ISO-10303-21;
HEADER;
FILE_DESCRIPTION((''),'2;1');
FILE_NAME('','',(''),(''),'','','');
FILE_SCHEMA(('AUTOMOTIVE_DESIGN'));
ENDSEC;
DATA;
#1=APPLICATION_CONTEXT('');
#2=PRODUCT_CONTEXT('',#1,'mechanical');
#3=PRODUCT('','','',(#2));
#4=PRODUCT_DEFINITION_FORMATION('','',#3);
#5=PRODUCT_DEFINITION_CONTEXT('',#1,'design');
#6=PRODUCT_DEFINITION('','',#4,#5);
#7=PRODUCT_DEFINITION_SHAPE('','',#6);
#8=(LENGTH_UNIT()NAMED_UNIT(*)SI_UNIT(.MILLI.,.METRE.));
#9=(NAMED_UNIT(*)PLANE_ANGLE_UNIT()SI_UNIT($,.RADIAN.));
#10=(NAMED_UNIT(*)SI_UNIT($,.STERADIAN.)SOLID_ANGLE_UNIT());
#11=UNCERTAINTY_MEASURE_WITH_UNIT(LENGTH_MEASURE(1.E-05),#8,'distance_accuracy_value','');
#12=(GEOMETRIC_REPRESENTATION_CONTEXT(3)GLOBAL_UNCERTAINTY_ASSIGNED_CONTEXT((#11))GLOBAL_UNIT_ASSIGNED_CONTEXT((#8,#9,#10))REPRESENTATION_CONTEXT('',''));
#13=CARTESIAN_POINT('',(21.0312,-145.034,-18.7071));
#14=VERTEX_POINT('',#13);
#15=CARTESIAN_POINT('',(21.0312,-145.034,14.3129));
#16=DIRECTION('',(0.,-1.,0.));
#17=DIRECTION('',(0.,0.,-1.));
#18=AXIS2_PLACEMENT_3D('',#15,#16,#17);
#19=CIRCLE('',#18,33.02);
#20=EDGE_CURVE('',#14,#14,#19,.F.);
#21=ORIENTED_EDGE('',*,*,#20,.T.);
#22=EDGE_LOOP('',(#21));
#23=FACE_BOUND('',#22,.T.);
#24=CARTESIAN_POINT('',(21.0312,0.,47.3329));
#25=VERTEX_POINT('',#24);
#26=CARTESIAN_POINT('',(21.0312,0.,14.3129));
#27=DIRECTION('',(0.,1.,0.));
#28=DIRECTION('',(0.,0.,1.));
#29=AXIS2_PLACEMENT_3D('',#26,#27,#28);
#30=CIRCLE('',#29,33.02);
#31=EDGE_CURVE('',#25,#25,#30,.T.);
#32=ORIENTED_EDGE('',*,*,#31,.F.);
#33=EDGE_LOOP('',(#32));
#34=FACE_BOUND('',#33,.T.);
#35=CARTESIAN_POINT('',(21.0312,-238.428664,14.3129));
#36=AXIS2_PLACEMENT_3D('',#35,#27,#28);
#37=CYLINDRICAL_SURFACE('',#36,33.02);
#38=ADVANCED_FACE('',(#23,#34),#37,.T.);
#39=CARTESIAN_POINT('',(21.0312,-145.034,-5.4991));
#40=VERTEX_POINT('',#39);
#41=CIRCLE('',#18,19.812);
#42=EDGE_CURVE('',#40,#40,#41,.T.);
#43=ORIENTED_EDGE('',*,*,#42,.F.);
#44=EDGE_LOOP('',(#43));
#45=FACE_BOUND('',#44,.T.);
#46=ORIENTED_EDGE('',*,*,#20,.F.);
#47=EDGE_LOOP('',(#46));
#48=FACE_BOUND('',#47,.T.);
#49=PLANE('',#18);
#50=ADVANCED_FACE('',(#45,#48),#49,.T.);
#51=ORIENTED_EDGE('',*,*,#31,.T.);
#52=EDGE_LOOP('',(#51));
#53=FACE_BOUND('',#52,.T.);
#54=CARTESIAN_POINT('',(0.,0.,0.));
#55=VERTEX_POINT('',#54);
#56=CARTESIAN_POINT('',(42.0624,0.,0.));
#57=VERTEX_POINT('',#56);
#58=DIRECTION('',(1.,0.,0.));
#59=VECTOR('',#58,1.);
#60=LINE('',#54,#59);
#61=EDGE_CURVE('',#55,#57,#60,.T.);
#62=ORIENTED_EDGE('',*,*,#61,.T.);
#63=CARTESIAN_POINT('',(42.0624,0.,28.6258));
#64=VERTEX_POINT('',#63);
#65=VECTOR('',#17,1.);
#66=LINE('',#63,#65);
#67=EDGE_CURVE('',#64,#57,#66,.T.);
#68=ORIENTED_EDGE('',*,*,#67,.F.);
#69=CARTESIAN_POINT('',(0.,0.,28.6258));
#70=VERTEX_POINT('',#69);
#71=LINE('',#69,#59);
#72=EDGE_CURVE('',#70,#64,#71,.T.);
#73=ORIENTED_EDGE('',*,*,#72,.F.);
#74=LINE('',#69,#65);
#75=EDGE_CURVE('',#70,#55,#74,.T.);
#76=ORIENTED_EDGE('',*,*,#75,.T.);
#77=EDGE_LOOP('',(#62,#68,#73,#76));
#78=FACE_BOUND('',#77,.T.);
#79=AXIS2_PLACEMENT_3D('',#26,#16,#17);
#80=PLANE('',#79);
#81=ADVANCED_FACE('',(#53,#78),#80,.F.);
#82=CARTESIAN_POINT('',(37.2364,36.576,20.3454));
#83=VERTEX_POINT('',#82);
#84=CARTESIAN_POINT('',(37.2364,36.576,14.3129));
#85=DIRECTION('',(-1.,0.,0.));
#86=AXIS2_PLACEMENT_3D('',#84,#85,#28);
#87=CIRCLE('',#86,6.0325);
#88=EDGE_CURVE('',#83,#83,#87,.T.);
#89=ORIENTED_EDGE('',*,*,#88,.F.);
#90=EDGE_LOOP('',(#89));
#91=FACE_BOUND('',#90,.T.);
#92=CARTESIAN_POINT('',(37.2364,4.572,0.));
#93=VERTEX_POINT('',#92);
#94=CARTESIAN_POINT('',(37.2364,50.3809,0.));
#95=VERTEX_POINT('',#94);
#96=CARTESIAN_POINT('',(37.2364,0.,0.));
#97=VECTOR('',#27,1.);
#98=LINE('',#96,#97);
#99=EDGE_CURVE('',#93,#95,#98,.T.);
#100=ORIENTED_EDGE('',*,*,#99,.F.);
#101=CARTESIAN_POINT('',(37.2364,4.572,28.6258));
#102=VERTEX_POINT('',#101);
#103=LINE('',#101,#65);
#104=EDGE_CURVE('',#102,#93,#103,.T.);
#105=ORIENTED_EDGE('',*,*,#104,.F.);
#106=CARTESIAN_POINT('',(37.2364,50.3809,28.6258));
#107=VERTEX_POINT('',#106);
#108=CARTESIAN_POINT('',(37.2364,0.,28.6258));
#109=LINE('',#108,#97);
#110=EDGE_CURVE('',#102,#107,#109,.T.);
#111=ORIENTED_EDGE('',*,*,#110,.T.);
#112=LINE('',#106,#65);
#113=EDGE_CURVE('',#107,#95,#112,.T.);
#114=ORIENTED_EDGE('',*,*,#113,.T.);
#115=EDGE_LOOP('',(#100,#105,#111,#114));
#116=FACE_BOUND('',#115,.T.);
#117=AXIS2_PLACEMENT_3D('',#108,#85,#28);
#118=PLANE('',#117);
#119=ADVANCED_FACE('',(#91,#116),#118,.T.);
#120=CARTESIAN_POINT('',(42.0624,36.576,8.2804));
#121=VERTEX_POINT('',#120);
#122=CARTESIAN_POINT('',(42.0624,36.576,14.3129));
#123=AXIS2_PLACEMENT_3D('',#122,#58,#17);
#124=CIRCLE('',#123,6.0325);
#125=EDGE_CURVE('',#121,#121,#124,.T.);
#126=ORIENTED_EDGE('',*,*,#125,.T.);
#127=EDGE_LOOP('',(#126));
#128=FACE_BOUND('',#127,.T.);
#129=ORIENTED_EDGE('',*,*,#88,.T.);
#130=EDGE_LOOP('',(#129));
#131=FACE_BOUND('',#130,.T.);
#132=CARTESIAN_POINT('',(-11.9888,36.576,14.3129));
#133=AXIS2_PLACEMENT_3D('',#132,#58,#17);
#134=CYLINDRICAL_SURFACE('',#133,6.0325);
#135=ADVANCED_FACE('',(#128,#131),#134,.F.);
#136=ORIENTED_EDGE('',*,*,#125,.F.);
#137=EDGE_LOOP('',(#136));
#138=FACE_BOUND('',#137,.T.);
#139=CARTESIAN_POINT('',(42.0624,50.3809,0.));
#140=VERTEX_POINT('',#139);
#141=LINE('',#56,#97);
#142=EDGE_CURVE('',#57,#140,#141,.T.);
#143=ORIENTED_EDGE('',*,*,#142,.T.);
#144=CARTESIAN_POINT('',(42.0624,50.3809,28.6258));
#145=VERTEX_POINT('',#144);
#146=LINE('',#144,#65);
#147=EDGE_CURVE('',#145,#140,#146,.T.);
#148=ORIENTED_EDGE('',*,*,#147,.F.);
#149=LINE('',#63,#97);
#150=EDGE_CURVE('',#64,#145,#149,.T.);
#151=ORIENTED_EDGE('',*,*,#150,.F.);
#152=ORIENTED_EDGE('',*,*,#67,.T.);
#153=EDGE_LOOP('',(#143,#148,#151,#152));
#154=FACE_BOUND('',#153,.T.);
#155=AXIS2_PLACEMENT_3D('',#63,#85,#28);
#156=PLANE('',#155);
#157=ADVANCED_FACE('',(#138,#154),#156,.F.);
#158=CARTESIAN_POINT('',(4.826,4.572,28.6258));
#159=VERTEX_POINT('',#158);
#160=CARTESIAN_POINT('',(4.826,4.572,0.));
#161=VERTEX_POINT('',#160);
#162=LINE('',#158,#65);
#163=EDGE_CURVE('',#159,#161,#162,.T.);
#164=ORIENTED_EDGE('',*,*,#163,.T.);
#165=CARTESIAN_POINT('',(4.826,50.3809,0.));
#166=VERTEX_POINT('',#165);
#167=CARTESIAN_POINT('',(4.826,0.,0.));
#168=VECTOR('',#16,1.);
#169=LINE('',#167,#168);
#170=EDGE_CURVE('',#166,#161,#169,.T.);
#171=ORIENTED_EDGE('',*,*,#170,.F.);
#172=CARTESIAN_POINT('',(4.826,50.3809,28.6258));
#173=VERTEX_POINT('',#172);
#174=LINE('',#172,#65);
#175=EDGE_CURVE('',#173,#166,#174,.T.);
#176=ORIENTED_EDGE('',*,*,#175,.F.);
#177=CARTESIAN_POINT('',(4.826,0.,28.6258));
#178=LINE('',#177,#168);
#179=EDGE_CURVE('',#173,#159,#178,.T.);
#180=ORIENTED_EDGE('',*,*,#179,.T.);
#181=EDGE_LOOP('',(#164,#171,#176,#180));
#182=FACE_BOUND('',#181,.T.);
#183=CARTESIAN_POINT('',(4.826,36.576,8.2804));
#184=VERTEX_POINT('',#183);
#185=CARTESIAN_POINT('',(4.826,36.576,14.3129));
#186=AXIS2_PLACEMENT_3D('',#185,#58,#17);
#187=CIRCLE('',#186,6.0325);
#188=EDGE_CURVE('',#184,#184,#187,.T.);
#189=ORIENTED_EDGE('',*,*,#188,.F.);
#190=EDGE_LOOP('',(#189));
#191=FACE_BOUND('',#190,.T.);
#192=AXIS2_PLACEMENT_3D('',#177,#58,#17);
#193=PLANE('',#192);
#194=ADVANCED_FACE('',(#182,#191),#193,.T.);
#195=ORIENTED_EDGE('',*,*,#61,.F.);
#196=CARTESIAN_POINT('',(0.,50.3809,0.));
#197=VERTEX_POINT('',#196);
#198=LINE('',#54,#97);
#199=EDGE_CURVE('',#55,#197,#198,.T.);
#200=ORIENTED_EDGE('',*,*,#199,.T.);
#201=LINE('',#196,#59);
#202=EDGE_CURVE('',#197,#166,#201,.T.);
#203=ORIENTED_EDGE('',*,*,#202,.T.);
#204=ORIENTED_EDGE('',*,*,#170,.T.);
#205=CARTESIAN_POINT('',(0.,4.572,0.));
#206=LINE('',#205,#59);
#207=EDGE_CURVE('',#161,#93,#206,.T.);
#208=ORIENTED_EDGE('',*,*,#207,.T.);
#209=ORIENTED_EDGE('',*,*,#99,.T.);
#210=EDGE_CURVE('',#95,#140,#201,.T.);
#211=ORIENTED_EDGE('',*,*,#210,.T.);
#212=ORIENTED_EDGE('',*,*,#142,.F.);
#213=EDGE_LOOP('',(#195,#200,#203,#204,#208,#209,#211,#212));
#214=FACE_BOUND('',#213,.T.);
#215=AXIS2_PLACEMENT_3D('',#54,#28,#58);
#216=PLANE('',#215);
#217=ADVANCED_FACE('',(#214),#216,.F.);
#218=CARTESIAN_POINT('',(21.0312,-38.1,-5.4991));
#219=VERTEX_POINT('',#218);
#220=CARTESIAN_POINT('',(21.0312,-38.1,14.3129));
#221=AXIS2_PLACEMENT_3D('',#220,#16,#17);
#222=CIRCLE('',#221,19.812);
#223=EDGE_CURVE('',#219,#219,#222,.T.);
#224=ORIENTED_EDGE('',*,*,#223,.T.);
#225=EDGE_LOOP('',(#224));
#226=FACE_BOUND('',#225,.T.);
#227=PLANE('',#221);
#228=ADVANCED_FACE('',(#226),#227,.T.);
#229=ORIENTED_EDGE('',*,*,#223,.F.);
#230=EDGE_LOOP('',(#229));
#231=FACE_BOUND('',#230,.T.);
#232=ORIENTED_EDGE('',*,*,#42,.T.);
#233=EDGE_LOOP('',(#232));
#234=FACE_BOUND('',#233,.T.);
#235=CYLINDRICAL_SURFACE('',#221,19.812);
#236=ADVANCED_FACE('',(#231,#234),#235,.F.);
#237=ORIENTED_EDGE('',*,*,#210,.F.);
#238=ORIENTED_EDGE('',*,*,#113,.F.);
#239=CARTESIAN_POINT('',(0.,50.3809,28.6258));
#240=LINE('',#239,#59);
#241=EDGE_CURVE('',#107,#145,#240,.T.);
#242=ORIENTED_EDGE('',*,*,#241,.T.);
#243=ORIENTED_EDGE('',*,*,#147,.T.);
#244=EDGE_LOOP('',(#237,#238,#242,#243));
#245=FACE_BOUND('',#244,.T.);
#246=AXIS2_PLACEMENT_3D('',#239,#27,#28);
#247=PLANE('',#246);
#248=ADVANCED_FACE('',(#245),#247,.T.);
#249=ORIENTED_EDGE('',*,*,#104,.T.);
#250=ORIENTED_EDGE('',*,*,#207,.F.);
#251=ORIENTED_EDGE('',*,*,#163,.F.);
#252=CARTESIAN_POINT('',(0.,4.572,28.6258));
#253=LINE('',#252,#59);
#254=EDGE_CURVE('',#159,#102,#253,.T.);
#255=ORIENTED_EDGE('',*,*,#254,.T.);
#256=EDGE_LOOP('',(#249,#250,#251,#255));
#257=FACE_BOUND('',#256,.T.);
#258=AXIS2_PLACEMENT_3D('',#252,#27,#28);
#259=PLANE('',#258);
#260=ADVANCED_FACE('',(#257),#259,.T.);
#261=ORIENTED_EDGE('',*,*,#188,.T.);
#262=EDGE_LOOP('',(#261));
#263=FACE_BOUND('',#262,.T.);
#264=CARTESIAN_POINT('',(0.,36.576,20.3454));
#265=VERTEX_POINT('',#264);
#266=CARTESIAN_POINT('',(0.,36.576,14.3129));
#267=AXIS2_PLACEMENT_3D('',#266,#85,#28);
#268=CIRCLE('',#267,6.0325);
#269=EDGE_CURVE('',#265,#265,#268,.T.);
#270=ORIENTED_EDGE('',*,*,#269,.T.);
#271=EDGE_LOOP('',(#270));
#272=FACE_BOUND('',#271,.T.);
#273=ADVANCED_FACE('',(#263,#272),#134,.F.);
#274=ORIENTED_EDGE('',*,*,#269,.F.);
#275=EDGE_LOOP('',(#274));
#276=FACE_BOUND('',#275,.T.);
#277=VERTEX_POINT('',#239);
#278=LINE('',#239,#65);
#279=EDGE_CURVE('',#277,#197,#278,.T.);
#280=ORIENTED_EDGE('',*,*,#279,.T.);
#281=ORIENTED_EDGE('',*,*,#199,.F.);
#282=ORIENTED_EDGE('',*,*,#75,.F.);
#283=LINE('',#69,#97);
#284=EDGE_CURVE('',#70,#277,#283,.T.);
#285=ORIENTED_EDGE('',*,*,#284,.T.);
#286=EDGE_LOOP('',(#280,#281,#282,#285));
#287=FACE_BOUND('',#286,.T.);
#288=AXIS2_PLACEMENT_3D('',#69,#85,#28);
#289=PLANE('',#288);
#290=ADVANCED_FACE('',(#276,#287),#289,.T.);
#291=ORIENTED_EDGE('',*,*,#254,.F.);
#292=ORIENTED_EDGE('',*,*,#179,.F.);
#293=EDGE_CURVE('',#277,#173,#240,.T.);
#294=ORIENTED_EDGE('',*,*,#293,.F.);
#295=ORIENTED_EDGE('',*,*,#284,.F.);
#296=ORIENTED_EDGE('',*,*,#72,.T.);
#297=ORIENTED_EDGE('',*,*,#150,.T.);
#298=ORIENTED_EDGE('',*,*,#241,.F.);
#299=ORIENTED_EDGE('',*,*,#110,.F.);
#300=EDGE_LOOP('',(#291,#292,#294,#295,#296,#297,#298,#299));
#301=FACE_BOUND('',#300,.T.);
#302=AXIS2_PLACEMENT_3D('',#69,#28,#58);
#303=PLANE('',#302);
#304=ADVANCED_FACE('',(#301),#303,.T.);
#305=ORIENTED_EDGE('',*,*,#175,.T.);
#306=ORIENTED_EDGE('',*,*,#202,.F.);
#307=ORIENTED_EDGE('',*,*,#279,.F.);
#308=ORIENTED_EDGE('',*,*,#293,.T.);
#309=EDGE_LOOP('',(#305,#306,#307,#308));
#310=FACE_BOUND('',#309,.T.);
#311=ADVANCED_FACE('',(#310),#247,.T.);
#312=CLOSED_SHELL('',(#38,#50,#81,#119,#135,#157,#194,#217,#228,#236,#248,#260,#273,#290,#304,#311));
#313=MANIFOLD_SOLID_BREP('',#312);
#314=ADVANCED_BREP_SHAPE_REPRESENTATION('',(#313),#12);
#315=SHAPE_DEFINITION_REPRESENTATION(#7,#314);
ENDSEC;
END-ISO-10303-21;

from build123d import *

# Parameters (mm, degrees)
SKETCH1_W           = 4.826
SKETCH1_H           = 25.19045
BOSS_EXTRUDE1_DEPTH = 28.6258
SKETCH2_R           = 25.4
BOSS_EXTRUDE2_DEPTH = 145.034
SKETCH4_R           = 33.02
BOSS_EXTRUDE3_DEPTH = 145.034
SKETCH5_R           = 6.0325
CUT_EXTRUDE2_DEPTH  = 55.0512
SKETCH6_R           = 19.812
CUT_EXTRUDE3_DEPTH  = 106.934


with BuildPart() as part:
    # Sketch1 → Boss-Extrude1 (new body)
    with BuildSketch(Plane.XY):
        Polygon((37.2364, 24.806452693), (42.0624, 24.806452693), (42.0624, 50.3809), (37.2364, 50.3809), (37.2364, 25.19045), align=None)
        Polygon((21.0312, 4.572), (21.0312, 0), (42.0624, 0), (42.0624, 24.806452693), (37.2364, 24.806452693), (37.2364, 4.572), align=None)
        Polygon((0, 0), (21.0312, 0), (21.0312, 4.572), (4.826, 4.572), (4.826, 25.19045), (0, 25.19045), align=None)
        with Locations((2.413, 37.785675)):
            Rectangle(SKETCH1_W, SKETCH1_H)
    extrude(amount=BOSS_EXTRUDE1_DEPTH)

    # Sketch2 → Boss-Extrude2 (add)
    with BuildSketch(Plane.XZ):
        with Locations((21.0312, 14.3129)):
            Circle(SKETCH2_R)
    extrude(amount=BOSS_EXTRUDE2_DEPTH)

    # Sketch4 → Boss-Extrude3 (add)
    with BuildSketch(Plane(origin=(0, 0, 0), x_dir=(1, 0, 0), z_dir=(0, 1, 0))):
        with Locations((21.0312, -14.3129)):
            Circle(SKETCH4_R)
    extrude(amount=-BOSS_EXTRUDE3_DEPTH)

    # Sketch5 → Cut-Extrude2 (cut, through all)
    with BuildSketch(Plane(origin=(42.0624, 0, 0), x_dir=(0, 0, -1), z_dir=(1, 0, 0))):
        with Locations((-14.3129, 36.576)):
            Circle(SKETCH5_R)
    extrude(amount=-CUT_EXTRUDE2_DEPTH, mode=Mode.SUBTRACT)

    # Sketch6 → Cut-Extrude3 (cut)
    with BuildSketch(Plane.XZ.offset(145.034)):
        with Locations((21.0312, 14.3129)):
            Circle(SKETCH6_R)
    extrude(amount=-CUT_EXTRUDE3_DEPTH, mode=Mode.SUBTRACT)


solid = part.part
